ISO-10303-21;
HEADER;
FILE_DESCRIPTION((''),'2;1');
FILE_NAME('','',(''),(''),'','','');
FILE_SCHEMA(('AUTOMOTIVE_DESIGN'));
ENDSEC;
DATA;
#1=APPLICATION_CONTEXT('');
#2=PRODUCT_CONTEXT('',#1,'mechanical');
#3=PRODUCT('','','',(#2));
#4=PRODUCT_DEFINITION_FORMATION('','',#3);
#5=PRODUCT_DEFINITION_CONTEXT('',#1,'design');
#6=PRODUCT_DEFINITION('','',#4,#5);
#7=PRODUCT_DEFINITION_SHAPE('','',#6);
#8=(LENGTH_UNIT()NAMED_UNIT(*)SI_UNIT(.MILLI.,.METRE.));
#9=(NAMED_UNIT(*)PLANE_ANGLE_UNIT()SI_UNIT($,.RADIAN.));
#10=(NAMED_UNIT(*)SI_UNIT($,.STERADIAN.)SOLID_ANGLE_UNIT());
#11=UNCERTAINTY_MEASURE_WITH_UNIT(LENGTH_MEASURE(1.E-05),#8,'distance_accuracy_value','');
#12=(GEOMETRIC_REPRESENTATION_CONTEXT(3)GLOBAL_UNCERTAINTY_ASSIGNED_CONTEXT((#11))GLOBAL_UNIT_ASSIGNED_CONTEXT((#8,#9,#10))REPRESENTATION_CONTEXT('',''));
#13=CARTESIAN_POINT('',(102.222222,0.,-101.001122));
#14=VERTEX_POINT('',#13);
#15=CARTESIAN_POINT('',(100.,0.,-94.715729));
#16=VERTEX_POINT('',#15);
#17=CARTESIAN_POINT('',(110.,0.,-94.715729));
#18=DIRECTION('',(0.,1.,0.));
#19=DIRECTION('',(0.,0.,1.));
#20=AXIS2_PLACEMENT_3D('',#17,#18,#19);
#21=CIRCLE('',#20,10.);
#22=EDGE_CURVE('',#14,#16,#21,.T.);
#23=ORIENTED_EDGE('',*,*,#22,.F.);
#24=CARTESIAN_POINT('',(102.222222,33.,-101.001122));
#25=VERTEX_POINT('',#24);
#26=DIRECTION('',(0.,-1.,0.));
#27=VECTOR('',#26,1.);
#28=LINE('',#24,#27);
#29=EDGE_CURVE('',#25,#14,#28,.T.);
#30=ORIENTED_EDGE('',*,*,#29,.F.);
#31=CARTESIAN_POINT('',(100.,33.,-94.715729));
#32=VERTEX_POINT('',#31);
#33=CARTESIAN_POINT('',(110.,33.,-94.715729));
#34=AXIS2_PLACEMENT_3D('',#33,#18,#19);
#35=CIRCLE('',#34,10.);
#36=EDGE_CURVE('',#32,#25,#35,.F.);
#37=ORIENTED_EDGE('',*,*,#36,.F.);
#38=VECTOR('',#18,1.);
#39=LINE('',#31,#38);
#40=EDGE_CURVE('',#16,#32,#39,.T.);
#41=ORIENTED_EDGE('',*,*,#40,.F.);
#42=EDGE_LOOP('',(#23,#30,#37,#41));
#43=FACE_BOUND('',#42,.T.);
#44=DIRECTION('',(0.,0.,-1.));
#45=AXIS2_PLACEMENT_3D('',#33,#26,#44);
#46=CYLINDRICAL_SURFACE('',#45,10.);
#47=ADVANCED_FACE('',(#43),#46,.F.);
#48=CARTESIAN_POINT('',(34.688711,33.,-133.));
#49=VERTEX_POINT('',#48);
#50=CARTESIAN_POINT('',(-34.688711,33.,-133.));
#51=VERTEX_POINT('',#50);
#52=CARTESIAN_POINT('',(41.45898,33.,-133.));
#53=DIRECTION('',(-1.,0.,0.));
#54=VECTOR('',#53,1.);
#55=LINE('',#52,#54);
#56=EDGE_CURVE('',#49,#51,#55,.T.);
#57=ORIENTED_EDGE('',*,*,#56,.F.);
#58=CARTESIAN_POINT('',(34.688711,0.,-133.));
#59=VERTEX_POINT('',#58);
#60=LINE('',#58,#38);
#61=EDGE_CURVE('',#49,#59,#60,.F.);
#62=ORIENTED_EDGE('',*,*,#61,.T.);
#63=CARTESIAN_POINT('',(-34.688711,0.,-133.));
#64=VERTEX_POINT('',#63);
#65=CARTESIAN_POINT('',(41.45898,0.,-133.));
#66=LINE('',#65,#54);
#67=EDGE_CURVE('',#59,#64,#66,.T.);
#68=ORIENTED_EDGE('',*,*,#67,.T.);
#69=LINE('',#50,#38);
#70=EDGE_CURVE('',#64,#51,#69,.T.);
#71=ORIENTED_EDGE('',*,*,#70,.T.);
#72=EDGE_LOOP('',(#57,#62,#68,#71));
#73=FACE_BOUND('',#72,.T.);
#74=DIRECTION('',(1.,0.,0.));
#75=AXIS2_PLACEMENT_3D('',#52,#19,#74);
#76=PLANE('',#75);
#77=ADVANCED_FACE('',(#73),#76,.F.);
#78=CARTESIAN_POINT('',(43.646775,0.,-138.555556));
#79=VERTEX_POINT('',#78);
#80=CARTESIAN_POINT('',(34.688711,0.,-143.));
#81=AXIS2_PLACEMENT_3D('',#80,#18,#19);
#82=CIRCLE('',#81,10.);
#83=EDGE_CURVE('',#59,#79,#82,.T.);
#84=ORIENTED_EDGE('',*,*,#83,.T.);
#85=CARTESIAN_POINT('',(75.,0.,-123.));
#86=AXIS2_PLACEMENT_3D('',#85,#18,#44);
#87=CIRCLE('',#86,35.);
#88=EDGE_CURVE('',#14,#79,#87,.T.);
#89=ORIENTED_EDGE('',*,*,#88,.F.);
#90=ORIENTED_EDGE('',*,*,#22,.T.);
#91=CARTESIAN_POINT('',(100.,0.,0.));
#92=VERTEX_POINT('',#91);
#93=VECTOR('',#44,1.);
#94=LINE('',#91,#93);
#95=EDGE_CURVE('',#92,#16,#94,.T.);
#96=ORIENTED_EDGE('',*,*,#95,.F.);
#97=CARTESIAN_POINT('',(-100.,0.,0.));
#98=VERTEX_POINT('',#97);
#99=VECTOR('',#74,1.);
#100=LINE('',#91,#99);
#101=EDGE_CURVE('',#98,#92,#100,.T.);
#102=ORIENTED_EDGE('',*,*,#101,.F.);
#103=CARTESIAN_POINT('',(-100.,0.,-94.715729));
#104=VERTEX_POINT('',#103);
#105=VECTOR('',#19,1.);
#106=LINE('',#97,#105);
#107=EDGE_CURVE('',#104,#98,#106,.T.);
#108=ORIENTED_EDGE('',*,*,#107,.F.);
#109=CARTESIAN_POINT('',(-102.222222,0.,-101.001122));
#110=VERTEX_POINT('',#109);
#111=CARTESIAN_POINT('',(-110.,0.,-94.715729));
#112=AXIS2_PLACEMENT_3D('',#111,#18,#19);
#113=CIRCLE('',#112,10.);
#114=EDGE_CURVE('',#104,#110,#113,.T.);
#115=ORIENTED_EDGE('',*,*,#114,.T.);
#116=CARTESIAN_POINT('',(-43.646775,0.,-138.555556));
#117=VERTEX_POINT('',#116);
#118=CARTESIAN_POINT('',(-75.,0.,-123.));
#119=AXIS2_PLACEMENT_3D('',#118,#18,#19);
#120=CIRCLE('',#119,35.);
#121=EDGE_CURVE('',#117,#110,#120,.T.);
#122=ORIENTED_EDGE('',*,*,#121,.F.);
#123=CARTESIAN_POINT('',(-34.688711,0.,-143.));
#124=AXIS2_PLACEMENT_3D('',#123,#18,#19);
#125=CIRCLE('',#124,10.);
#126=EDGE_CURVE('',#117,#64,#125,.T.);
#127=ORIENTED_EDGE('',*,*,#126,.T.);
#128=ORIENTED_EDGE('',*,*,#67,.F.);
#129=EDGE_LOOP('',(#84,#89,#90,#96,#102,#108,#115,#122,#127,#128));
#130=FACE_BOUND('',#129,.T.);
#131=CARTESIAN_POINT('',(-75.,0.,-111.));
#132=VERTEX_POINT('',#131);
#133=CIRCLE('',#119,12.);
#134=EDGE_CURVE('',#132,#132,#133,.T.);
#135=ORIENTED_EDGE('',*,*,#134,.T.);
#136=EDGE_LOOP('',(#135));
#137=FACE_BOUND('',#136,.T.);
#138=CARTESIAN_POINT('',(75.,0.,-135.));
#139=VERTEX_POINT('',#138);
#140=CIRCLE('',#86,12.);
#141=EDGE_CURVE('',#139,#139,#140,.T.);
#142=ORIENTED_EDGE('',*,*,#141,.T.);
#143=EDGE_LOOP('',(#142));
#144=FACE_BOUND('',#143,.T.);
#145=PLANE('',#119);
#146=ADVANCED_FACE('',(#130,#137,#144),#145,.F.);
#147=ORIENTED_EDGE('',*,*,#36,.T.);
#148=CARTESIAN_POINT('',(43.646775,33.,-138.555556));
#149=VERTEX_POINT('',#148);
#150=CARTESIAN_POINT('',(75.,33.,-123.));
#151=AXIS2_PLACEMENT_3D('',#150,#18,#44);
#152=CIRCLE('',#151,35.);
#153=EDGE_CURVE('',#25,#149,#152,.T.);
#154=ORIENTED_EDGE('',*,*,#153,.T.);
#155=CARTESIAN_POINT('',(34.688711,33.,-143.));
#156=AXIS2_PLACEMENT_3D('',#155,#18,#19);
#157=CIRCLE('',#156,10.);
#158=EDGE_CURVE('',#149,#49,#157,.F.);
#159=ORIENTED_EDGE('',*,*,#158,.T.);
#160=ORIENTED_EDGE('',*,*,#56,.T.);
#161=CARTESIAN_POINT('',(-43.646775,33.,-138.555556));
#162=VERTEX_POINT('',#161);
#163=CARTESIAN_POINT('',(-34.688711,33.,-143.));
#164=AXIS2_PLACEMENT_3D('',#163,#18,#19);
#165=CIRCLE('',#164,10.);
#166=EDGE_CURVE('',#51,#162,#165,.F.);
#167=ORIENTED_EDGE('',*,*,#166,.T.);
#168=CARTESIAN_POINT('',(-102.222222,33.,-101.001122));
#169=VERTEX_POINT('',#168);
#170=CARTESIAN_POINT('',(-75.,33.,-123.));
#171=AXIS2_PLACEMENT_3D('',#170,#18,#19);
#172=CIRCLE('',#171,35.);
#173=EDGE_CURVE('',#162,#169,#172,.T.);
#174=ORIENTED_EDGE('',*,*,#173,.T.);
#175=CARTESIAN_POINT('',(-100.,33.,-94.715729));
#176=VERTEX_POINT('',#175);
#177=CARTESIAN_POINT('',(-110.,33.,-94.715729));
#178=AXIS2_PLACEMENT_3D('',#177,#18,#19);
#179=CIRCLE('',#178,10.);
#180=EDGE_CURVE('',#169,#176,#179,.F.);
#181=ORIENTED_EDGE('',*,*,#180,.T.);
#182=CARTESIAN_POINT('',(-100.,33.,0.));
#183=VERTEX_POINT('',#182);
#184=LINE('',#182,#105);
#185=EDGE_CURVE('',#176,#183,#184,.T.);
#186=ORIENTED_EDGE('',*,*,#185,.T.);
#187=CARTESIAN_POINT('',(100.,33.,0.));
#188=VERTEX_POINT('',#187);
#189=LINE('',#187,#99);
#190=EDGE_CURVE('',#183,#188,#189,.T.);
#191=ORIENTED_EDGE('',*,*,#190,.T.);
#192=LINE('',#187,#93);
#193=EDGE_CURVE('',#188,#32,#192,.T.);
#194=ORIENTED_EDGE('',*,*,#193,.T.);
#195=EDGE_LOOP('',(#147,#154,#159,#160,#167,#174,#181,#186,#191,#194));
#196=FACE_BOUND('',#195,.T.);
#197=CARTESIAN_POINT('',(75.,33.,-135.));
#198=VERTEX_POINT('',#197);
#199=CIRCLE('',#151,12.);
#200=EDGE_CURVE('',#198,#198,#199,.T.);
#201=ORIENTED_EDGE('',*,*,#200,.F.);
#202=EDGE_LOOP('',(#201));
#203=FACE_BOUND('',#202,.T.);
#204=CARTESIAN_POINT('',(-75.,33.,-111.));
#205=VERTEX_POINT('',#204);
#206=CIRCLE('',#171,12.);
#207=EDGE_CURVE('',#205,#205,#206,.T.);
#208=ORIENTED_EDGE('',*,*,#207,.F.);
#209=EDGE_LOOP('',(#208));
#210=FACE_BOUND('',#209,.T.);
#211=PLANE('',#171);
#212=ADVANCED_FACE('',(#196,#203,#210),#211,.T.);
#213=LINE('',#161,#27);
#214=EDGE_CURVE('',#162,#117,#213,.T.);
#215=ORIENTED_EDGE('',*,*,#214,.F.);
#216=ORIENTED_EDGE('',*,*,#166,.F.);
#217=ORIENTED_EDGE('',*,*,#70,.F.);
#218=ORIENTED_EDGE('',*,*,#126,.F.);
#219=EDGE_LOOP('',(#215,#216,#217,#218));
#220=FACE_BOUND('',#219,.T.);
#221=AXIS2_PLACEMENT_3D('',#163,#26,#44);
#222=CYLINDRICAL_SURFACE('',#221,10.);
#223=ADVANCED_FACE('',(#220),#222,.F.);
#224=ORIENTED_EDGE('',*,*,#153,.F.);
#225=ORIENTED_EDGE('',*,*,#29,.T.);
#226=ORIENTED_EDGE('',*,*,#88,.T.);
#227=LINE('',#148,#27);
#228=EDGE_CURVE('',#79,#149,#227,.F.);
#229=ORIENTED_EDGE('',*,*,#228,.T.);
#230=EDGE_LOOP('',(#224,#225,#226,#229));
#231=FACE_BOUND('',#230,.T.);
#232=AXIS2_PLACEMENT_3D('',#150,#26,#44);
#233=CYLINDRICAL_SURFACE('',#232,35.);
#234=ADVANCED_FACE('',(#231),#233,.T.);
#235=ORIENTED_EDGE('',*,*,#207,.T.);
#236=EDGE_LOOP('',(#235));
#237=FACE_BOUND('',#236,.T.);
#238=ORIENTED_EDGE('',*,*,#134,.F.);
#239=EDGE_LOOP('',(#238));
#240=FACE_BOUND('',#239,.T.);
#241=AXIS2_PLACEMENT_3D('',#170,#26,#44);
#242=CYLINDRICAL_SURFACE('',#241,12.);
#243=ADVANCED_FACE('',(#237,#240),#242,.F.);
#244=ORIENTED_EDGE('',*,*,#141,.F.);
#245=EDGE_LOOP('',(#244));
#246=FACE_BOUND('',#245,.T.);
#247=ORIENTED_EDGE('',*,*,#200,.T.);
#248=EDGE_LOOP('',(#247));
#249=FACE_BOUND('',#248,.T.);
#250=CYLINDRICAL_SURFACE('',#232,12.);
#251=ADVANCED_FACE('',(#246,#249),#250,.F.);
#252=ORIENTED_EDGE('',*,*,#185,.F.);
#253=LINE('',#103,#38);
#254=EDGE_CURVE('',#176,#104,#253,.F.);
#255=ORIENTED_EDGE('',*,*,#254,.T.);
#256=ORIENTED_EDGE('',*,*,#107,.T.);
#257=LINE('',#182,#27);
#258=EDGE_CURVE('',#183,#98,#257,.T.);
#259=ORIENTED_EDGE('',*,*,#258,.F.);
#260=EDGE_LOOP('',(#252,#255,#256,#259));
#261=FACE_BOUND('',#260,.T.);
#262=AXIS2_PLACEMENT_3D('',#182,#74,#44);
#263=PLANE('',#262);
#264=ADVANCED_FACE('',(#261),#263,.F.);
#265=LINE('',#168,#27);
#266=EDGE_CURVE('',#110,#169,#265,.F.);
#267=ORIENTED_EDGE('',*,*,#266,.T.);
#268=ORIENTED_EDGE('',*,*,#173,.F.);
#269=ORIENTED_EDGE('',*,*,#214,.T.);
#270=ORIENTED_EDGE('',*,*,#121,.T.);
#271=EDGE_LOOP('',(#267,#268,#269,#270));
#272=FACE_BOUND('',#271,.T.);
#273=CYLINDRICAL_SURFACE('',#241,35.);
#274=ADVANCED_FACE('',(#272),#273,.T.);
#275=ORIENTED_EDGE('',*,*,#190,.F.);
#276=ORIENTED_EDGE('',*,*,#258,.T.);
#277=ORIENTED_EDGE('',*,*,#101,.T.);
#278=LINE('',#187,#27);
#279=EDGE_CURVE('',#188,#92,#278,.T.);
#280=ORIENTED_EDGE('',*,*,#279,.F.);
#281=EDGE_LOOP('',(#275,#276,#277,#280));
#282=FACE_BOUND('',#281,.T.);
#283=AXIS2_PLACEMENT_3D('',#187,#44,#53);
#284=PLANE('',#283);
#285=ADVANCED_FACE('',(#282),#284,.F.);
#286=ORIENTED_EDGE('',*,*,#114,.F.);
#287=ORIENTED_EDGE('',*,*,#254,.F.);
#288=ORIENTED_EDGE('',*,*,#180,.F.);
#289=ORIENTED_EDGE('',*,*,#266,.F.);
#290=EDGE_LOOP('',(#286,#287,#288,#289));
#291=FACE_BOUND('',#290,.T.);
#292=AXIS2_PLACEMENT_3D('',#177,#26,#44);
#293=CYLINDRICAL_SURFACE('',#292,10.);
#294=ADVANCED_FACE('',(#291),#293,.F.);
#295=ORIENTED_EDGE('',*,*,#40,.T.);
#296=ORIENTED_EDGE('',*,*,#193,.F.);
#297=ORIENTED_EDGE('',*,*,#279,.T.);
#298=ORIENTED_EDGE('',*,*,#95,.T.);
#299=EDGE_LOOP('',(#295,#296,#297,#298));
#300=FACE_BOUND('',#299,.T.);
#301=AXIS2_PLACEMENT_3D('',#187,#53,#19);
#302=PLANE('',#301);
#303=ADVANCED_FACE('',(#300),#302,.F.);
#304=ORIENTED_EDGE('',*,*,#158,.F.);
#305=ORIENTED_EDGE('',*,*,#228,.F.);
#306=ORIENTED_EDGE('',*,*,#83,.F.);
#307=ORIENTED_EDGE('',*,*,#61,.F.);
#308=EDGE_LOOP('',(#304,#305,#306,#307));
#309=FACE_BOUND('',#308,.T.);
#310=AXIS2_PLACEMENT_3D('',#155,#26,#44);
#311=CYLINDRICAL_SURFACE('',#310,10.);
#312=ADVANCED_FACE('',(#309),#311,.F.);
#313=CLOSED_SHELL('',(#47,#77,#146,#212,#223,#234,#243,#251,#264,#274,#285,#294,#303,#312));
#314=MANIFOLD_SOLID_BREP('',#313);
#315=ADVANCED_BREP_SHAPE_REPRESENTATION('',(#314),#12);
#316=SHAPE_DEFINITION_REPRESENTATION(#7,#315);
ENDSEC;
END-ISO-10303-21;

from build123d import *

# Parameters (mm, degrees)
SKETCH1_R           = 12
BOSS_EXTRUDE1_DEPTH = 33
FILLET1_R           = 10


with BuildPart() as part:
    # Sketch1 → Boss-Extrude1 (new body)
    with BuildSketch(Plane(origin=(0, 0, 0), x_dir=(1, 0, 0), z_dir=(0, 1, 0))):
        with BuildLine():
            Line((100, 0), (-100, 0))
            Line((-100, 0), (-100, 98.505102572))
            ThreePointArc((-100, 98.505102572), (-92.768279077, 153.154406952), (-41.458980338, 133))
            Line((-41.458980338, 133), (41.458980338, 133))
            ThreePointArc((41.458980338, 133), (92.768279077, 153.154406952), (100, 98.505102572))
            Line((100, 98.505102572), (100, 0))
        make_face()
        with Locations((-75, 123)):
            Circle(SKETCH1_R, mode=Mode.SUBTRACT)
        with Locations((75, 123)):
            Circle(SKETCH1_R, mode=Mode.SUBTRACT)
    extrude(amount=BOSS_EXTRUDE1_DEPTH)

    # Fillet1
    fillet1_edges = [part.edges().sort_by_distance(p)[0] for p in [
        (-100, 16.5, -98.505102572),
        (-41.458980338, 16.5, -133),
        (41.458980338, 16.5, -133),
        (100, 16.5, -98.505102572),
    ]]
    fillet(fillet1_edges, radius=FILLET1_R)


solid = part.part
